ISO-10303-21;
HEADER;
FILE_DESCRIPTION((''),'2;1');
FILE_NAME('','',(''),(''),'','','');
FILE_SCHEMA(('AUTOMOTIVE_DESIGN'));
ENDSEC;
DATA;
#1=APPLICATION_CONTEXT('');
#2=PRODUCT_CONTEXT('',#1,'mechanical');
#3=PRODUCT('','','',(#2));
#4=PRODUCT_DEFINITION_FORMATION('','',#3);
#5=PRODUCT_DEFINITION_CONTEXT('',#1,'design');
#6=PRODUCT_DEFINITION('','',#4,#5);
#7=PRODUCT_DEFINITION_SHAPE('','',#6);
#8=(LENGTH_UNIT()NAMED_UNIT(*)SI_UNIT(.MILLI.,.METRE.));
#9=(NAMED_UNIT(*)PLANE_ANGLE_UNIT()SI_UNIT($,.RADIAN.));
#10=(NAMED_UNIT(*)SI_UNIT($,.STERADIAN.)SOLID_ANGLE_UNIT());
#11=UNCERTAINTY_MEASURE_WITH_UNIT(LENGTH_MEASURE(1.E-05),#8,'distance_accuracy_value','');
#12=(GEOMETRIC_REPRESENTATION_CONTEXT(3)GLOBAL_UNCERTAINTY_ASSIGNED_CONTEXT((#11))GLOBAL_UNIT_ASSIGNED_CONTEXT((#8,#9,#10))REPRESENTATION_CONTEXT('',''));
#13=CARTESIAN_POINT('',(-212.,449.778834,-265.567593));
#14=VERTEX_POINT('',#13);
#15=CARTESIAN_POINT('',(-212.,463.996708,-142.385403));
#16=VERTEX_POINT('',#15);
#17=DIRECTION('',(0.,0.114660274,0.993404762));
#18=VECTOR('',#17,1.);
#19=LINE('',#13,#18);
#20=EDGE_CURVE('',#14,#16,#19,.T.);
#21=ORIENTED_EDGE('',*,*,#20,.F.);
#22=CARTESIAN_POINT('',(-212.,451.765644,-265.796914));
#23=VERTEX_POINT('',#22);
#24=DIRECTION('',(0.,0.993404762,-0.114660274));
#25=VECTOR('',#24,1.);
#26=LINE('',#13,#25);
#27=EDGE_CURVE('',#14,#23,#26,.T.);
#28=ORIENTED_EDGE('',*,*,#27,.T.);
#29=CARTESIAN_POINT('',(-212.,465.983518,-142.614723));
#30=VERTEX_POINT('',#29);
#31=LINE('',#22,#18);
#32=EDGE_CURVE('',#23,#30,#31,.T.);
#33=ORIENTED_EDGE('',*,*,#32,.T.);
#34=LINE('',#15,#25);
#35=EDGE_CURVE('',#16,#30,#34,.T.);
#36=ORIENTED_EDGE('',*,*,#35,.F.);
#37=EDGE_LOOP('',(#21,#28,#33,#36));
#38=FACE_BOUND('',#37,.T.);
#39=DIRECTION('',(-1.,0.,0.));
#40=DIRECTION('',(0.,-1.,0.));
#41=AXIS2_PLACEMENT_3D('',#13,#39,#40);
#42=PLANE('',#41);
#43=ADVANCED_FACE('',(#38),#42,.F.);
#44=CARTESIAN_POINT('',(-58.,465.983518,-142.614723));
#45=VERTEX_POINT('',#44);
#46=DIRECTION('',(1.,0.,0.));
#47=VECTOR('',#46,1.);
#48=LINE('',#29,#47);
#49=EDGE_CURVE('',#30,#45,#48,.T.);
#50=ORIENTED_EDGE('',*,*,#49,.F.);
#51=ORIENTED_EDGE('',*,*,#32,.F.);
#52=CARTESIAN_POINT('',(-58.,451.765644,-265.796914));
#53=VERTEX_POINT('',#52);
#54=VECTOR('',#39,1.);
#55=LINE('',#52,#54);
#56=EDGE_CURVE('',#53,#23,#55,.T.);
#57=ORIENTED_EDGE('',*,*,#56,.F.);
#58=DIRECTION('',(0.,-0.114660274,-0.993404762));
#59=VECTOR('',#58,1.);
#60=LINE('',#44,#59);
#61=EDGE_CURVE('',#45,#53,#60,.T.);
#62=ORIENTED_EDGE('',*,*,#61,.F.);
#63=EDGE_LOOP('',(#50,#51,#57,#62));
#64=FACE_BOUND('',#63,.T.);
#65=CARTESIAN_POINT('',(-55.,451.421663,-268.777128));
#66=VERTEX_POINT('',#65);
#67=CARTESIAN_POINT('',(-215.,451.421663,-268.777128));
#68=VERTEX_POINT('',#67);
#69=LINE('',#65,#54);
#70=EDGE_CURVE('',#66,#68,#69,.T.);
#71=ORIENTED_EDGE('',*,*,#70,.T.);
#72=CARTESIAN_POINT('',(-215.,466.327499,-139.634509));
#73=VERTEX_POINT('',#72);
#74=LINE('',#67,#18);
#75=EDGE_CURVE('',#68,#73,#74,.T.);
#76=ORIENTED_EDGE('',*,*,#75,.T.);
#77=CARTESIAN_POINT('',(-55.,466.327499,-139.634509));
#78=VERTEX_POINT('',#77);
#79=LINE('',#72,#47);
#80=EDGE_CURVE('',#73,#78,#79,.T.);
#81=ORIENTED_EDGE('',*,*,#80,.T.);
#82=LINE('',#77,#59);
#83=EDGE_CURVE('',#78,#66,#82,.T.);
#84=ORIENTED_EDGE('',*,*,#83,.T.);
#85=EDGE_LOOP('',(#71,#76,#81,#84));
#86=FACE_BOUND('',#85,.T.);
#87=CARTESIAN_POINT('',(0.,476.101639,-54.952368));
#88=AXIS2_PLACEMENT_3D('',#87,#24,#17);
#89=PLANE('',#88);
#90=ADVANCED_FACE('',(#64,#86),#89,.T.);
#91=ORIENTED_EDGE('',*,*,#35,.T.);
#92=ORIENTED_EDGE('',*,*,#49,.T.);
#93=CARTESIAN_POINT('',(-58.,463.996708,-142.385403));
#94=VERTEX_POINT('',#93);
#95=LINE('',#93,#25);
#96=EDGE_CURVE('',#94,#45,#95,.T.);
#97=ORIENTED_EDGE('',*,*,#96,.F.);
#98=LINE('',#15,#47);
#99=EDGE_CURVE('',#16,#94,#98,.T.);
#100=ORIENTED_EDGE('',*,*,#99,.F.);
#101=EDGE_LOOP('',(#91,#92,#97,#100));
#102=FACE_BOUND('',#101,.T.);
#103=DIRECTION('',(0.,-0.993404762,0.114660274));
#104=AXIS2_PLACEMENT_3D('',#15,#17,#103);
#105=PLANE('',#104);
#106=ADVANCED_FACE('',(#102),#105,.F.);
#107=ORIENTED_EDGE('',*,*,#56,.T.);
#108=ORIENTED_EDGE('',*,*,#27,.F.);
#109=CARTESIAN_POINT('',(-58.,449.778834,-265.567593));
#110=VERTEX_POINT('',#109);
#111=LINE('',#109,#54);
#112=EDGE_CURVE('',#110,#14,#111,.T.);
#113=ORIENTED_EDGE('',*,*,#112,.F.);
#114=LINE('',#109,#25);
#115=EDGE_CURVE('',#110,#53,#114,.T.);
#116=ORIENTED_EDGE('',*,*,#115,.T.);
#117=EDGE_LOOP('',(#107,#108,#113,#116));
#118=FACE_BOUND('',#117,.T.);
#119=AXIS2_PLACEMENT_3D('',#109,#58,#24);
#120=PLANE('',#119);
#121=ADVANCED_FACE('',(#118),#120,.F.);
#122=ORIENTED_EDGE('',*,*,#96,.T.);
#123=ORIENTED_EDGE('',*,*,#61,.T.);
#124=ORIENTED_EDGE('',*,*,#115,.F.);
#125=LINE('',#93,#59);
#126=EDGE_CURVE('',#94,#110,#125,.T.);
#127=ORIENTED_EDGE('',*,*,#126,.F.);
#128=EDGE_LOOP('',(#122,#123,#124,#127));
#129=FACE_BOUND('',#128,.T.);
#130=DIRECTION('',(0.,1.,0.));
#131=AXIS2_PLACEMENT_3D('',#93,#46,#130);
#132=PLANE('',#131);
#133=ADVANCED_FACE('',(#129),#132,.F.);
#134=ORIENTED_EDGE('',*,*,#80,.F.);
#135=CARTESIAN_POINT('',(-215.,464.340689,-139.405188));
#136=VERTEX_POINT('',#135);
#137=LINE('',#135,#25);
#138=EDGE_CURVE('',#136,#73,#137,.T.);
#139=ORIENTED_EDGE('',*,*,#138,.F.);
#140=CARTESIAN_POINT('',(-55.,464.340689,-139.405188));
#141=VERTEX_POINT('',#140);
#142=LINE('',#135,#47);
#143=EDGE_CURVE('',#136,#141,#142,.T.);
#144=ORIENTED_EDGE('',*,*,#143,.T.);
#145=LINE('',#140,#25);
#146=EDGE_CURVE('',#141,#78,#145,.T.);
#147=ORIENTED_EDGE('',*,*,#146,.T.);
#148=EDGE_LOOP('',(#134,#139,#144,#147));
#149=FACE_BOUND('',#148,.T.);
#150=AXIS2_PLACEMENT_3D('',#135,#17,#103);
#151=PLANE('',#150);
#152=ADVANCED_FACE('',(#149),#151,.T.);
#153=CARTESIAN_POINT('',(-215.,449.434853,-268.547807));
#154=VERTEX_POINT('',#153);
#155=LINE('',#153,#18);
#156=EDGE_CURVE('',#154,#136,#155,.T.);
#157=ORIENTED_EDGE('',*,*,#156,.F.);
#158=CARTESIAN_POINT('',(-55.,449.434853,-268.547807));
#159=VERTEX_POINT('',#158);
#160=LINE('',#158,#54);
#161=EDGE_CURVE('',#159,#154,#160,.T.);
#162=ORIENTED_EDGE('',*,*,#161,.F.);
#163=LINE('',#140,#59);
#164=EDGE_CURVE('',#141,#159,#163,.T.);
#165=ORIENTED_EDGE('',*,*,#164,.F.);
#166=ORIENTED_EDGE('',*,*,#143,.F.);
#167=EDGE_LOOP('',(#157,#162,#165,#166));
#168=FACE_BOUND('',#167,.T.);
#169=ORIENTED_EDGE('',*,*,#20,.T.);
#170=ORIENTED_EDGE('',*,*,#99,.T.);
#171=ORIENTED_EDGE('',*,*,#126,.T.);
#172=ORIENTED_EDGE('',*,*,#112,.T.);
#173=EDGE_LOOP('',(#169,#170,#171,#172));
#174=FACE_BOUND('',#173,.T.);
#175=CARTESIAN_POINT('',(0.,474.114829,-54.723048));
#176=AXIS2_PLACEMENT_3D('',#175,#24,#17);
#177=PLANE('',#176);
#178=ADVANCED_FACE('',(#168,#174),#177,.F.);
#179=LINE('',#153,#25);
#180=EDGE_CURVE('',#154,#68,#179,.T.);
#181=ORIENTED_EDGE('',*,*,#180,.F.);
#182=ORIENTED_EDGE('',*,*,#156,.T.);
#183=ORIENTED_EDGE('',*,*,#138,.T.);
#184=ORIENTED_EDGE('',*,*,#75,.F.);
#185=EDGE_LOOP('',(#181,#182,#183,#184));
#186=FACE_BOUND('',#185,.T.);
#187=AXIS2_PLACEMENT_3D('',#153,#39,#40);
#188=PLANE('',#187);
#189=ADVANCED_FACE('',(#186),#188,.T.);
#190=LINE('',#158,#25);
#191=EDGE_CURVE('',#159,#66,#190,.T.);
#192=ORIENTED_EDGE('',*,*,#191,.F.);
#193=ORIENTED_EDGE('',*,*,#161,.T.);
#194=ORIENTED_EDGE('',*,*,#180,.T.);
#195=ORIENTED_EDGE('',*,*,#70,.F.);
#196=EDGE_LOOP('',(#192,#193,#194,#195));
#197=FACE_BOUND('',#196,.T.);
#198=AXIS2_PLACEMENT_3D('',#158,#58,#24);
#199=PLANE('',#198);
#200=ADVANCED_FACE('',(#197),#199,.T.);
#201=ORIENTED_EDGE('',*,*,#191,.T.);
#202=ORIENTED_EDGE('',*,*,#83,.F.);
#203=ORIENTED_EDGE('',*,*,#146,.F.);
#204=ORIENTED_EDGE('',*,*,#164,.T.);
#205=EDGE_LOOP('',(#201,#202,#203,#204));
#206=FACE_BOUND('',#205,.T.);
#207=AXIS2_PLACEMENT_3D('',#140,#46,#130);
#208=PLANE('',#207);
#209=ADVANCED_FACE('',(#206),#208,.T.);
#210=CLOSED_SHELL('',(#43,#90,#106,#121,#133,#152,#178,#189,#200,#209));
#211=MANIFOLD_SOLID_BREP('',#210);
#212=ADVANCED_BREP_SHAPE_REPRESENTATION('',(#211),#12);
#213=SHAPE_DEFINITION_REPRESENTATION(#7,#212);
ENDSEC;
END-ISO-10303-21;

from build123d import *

# Parameters (mm, degrees)
BOSS_EXTRUDE1_START = 116
SKETCH1_W           = 160
SKETCH1_H           = 130
SKETCH1_W_2         = 154
SKETCH1_H_2         = 124
BOSS_EXTRUDE1_DEPTH = 2


with BuildPart() as part:
    # Sketch1 → Boss-Extrude1 (new body)
    with BuildSketch(Plane(origin=(0, 358.879876801, -41.422455829), x_dir=(1, 0, 0), z_dir=(-6.837425950214788e-15, 0.9934047622419533, -0.1146602736566085)).offset(BOSS_EXTRUDE1_START)):
        with Locations((-135, 150.244347434)):
            Rectangle(SKETCH1_W, SKETCH1_H)
        with Locations((-135, 150.244347434)):
            Rectangle(SKETCH1_W_2, SKETCH1_H_2, mode=Mode.SUBTRACT)
    extrude(amount=BOSS_EXTRUDE1_DEPTH)


solid = part.part
